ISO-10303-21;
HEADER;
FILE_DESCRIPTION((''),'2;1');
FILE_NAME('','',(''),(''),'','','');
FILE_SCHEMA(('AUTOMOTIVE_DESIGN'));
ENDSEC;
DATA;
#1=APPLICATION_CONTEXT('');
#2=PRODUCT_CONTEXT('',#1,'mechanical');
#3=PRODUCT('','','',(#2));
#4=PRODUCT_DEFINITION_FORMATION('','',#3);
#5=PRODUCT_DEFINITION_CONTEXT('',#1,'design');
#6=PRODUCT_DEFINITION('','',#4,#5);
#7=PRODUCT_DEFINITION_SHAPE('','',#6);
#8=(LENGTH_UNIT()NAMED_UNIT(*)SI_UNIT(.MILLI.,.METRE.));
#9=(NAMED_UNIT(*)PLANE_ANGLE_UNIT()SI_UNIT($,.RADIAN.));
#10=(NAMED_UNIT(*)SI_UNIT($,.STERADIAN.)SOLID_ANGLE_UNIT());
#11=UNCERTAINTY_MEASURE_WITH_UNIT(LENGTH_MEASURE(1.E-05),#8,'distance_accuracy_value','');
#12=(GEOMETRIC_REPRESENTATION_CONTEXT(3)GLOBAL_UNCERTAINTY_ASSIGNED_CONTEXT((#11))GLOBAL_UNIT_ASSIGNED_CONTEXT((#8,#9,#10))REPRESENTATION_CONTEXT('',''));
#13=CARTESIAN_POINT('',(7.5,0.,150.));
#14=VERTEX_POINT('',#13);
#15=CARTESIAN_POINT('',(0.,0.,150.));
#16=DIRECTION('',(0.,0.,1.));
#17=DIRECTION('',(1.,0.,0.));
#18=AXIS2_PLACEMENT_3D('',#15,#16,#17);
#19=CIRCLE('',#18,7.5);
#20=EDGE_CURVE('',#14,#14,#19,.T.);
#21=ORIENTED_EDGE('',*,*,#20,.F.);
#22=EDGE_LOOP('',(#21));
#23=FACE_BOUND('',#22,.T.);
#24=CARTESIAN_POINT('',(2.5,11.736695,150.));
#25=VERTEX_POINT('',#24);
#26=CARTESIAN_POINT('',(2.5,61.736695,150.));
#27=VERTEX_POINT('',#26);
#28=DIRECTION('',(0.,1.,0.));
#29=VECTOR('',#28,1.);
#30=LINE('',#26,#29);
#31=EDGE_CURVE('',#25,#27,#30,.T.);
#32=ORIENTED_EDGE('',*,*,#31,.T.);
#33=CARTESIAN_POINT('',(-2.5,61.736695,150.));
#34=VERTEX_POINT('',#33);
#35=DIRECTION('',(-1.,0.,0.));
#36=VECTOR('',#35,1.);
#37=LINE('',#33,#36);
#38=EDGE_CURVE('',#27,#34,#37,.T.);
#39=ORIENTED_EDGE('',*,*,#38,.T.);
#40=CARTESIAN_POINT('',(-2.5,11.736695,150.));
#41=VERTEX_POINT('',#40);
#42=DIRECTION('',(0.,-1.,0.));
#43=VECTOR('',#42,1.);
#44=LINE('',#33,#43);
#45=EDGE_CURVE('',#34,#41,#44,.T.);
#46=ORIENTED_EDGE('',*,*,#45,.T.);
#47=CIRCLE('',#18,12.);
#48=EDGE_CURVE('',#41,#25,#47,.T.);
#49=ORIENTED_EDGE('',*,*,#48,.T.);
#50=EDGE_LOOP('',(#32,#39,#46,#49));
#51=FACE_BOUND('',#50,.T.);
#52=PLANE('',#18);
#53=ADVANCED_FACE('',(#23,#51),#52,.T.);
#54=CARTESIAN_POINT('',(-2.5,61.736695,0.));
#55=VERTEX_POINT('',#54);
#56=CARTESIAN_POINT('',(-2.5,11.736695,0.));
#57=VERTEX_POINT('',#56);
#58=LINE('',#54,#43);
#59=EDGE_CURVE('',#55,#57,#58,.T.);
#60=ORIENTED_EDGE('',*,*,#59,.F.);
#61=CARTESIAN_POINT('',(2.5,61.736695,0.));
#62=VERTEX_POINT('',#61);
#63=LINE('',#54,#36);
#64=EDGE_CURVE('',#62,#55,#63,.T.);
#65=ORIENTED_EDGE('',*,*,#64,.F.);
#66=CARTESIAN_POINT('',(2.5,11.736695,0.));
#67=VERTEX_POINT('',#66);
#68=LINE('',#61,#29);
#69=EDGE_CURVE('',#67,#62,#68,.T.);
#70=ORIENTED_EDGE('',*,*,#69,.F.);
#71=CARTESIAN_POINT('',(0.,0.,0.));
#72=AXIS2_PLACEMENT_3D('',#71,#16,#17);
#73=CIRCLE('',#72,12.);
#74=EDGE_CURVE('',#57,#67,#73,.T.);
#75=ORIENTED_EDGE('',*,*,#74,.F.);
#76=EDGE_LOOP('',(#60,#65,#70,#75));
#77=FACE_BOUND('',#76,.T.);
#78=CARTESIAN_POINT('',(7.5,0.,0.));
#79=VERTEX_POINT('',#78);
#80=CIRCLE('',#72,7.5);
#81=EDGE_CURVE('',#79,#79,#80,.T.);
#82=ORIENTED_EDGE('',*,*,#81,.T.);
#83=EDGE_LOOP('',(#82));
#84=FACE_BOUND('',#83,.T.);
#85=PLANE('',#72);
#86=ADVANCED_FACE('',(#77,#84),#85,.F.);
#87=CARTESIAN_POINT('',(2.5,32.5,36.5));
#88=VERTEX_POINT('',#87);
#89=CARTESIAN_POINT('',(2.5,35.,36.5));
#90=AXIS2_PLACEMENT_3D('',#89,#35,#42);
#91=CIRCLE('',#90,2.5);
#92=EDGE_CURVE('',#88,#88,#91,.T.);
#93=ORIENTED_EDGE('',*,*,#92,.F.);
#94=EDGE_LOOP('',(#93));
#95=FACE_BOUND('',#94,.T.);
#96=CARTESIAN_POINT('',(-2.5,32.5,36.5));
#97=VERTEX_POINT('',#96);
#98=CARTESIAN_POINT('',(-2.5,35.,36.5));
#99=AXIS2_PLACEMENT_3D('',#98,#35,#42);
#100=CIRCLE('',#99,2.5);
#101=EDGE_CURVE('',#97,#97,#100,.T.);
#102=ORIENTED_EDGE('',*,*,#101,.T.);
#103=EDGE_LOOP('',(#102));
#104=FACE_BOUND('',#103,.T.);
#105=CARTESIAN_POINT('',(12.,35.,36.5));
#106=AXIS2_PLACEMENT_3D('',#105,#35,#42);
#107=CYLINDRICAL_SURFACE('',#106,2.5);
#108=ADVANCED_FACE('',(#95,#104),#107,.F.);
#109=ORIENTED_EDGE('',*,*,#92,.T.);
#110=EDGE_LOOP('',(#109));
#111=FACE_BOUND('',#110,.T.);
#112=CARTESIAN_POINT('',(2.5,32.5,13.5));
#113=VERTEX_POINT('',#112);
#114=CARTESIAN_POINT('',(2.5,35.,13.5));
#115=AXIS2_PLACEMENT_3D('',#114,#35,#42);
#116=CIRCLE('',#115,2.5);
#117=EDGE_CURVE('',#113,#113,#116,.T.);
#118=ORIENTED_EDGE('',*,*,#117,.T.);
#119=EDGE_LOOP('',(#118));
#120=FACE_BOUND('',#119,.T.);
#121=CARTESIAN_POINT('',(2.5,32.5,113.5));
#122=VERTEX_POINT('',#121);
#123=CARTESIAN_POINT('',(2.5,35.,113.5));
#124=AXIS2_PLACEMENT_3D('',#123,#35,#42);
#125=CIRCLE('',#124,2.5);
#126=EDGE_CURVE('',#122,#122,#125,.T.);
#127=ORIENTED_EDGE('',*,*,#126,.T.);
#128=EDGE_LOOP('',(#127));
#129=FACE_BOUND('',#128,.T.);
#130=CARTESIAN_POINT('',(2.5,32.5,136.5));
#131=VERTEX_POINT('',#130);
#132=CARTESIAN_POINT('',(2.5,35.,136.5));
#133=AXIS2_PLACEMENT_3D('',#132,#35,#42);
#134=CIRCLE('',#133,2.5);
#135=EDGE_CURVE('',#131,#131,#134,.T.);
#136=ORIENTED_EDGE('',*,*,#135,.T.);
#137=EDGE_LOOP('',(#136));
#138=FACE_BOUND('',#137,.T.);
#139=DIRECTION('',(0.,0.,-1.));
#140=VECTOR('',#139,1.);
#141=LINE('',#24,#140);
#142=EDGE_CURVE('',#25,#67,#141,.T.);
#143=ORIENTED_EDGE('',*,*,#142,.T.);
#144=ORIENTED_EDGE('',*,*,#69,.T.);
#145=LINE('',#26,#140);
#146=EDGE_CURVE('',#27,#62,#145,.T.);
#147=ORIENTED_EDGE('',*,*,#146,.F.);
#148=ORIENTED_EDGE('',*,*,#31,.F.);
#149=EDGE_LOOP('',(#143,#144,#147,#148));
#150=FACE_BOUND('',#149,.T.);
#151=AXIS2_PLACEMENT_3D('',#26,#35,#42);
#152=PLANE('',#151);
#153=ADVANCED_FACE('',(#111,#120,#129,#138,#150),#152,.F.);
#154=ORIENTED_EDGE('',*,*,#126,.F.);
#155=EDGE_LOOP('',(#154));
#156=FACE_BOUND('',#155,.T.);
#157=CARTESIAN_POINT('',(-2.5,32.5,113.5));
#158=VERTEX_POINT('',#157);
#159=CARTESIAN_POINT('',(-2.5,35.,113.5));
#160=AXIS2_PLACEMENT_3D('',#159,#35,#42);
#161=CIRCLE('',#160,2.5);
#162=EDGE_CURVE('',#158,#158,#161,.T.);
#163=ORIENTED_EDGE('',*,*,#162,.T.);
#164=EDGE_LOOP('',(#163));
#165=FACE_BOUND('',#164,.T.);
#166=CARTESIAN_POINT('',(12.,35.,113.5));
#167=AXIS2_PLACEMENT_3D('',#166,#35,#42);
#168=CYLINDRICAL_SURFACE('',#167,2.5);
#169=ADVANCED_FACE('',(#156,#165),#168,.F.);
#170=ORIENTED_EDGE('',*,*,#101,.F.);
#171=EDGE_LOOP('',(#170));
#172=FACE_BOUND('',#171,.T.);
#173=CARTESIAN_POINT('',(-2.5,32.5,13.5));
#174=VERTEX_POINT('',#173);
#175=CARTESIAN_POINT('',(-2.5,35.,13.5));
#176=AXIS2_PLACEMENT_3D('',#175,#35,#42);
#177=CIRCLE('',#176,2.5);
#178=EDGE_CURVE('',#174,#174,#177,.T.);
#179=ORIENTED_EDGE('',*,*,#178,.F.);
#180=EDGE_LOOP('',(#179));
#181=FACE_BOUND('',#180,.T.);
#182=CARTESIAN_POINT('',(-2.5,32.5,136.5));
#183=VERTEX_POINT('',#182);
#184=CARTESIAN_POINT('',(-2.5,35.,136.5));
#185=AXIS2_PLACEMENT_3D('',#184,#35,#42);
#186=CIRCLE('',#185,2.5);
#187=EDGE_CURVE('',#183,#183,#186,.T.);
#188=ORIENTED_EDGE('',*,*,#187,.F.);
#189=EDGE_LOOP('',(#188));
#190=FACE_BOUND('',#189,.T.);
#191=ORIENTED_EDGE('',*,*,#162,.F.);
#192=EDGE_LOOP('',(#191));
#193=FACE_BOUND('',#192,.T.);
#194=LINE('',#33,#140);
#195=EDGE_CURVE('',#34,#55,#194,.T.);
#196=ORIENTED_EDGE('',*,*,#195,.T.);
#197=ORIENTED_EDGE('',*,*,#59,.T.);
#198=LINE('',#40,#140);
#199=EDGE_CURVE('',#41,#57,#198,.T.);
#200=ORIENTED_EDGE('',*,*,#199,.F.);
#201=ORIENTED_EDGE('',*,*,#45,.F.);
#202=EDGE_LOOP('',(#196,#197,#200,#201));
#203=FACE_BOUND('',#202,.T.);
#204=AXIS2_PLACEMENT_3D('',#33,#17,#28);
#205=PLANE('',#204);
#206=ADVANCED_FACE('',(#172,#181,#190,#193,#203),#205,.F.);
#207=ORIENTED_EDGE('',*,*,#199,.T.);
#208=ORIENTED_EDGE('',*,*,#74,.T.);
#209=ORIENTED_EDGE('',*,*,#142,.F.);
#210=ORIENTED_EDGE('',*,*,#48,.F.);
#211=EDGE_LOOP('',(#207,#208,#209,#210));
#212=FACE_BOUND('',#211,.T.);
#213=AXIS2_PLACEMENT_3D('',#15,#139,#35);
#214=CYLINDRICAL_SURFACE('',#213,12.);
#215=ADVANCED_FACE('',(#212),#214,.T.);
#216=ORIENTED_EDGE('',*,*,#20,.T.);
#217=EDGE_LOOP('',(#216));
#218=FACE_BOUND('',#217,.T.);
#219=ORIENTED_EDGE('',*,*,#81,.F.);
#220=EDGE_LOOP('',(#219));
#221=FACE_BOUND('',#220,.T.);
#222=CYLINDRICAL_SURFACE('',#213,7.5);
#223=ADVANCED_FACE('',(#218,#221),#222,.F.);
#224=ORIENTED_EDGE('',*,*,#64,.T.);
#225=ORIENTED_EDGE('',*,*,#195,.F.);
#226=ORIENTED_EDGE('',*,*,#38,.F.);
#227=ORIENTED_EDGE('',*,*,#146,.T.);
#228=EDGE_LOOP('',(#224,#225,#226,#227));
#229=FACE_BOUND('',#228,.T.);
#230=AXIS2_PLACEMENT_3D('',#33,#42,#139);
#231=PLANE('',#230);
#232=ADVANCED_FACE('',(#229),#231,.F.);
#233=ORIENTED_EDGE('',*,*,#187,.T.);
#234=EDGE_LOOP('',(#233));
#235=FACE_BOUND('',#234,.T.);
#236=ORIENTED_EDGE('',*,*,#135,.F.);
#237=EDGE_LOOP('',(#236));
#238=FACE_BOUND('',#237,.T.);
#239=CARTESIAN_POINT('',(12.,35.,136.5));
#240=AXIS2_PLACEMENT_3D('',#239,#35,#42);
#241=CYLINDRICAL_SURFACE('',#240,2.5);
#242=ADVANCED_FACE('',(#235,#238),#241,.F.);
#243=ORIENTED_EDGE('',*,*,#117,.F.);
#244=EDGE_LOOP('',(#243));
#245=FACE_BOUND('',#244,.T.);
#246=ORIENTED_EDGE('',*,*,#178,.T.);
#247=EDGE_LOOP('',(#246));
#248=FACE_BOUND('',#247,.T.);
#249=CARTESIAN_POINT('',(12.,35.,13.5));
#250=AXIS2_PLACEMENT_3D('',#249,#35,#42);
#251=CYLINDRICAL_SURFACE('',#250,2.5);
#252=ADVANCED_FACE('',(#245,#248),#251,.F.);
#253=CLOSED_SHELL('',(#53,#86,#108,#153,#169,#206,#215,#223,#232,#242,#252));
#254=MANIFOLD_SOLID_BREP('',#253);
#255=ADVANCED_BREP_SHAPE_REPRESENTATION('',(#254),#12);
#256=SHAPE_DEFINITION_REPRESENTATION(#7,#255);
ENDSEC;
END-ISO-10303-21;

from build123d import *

# Parameters (mm, degrees)
SKETCH1_R           = 7.5
BOSS_EXTRUDE1_DEPTH = 150
SKETCH3_R           = 2.5
CUT_EXTRUDE2_DEPTH  = 163.854749576


with BuildPart() as part:
    # Sketch1 → Boss-Extrude1 (new body)
    with BuildSketch(Plane.XY):
        with BuildLine():
            Line((-2.5, 61.736694594), (-2.5, 11.736694594))
            ThreePointArc((-2.5, 11.736694594), (0, -12), (2.5, 11.736694594))
            Line((2.5, 11.736694594), (2.5, 61.736694594))
            Line((2.5, 61.736694594), (-2.5, 61.736694594))
        make_face()
        Circle(SKETCH1_R, mode=Mode.SUBTRACT)
    extrude(amount=BOSS_EXTRUDE1_DEPTH)

    # Sketch3 → Cut-Extrude2 (cut, through all)
    with BuildSketch(Plane.ZY.offset(2.5)):
        with Locations(Location((113.5, 35, 0), (0, 0, 270))):
            Circle(SKETCH3_R)
        with Locations(Location((136.5, 35, 0), (0, 0, 270))):
            Circle(SKETCH3_R)
        with Locations(Location((36.5, 35, 0), (0, 0, 270))):
            Circle(SKETCH3_R)
        with Locations(Location((13.5, 35, 0), (0, 0, 270))):
            Circle(SKETCH3_R)
    extrude(amount=-CUT_EXTRUDE2_DEPTH, mode=Mode.SUBTRACT)


solid = part.part
